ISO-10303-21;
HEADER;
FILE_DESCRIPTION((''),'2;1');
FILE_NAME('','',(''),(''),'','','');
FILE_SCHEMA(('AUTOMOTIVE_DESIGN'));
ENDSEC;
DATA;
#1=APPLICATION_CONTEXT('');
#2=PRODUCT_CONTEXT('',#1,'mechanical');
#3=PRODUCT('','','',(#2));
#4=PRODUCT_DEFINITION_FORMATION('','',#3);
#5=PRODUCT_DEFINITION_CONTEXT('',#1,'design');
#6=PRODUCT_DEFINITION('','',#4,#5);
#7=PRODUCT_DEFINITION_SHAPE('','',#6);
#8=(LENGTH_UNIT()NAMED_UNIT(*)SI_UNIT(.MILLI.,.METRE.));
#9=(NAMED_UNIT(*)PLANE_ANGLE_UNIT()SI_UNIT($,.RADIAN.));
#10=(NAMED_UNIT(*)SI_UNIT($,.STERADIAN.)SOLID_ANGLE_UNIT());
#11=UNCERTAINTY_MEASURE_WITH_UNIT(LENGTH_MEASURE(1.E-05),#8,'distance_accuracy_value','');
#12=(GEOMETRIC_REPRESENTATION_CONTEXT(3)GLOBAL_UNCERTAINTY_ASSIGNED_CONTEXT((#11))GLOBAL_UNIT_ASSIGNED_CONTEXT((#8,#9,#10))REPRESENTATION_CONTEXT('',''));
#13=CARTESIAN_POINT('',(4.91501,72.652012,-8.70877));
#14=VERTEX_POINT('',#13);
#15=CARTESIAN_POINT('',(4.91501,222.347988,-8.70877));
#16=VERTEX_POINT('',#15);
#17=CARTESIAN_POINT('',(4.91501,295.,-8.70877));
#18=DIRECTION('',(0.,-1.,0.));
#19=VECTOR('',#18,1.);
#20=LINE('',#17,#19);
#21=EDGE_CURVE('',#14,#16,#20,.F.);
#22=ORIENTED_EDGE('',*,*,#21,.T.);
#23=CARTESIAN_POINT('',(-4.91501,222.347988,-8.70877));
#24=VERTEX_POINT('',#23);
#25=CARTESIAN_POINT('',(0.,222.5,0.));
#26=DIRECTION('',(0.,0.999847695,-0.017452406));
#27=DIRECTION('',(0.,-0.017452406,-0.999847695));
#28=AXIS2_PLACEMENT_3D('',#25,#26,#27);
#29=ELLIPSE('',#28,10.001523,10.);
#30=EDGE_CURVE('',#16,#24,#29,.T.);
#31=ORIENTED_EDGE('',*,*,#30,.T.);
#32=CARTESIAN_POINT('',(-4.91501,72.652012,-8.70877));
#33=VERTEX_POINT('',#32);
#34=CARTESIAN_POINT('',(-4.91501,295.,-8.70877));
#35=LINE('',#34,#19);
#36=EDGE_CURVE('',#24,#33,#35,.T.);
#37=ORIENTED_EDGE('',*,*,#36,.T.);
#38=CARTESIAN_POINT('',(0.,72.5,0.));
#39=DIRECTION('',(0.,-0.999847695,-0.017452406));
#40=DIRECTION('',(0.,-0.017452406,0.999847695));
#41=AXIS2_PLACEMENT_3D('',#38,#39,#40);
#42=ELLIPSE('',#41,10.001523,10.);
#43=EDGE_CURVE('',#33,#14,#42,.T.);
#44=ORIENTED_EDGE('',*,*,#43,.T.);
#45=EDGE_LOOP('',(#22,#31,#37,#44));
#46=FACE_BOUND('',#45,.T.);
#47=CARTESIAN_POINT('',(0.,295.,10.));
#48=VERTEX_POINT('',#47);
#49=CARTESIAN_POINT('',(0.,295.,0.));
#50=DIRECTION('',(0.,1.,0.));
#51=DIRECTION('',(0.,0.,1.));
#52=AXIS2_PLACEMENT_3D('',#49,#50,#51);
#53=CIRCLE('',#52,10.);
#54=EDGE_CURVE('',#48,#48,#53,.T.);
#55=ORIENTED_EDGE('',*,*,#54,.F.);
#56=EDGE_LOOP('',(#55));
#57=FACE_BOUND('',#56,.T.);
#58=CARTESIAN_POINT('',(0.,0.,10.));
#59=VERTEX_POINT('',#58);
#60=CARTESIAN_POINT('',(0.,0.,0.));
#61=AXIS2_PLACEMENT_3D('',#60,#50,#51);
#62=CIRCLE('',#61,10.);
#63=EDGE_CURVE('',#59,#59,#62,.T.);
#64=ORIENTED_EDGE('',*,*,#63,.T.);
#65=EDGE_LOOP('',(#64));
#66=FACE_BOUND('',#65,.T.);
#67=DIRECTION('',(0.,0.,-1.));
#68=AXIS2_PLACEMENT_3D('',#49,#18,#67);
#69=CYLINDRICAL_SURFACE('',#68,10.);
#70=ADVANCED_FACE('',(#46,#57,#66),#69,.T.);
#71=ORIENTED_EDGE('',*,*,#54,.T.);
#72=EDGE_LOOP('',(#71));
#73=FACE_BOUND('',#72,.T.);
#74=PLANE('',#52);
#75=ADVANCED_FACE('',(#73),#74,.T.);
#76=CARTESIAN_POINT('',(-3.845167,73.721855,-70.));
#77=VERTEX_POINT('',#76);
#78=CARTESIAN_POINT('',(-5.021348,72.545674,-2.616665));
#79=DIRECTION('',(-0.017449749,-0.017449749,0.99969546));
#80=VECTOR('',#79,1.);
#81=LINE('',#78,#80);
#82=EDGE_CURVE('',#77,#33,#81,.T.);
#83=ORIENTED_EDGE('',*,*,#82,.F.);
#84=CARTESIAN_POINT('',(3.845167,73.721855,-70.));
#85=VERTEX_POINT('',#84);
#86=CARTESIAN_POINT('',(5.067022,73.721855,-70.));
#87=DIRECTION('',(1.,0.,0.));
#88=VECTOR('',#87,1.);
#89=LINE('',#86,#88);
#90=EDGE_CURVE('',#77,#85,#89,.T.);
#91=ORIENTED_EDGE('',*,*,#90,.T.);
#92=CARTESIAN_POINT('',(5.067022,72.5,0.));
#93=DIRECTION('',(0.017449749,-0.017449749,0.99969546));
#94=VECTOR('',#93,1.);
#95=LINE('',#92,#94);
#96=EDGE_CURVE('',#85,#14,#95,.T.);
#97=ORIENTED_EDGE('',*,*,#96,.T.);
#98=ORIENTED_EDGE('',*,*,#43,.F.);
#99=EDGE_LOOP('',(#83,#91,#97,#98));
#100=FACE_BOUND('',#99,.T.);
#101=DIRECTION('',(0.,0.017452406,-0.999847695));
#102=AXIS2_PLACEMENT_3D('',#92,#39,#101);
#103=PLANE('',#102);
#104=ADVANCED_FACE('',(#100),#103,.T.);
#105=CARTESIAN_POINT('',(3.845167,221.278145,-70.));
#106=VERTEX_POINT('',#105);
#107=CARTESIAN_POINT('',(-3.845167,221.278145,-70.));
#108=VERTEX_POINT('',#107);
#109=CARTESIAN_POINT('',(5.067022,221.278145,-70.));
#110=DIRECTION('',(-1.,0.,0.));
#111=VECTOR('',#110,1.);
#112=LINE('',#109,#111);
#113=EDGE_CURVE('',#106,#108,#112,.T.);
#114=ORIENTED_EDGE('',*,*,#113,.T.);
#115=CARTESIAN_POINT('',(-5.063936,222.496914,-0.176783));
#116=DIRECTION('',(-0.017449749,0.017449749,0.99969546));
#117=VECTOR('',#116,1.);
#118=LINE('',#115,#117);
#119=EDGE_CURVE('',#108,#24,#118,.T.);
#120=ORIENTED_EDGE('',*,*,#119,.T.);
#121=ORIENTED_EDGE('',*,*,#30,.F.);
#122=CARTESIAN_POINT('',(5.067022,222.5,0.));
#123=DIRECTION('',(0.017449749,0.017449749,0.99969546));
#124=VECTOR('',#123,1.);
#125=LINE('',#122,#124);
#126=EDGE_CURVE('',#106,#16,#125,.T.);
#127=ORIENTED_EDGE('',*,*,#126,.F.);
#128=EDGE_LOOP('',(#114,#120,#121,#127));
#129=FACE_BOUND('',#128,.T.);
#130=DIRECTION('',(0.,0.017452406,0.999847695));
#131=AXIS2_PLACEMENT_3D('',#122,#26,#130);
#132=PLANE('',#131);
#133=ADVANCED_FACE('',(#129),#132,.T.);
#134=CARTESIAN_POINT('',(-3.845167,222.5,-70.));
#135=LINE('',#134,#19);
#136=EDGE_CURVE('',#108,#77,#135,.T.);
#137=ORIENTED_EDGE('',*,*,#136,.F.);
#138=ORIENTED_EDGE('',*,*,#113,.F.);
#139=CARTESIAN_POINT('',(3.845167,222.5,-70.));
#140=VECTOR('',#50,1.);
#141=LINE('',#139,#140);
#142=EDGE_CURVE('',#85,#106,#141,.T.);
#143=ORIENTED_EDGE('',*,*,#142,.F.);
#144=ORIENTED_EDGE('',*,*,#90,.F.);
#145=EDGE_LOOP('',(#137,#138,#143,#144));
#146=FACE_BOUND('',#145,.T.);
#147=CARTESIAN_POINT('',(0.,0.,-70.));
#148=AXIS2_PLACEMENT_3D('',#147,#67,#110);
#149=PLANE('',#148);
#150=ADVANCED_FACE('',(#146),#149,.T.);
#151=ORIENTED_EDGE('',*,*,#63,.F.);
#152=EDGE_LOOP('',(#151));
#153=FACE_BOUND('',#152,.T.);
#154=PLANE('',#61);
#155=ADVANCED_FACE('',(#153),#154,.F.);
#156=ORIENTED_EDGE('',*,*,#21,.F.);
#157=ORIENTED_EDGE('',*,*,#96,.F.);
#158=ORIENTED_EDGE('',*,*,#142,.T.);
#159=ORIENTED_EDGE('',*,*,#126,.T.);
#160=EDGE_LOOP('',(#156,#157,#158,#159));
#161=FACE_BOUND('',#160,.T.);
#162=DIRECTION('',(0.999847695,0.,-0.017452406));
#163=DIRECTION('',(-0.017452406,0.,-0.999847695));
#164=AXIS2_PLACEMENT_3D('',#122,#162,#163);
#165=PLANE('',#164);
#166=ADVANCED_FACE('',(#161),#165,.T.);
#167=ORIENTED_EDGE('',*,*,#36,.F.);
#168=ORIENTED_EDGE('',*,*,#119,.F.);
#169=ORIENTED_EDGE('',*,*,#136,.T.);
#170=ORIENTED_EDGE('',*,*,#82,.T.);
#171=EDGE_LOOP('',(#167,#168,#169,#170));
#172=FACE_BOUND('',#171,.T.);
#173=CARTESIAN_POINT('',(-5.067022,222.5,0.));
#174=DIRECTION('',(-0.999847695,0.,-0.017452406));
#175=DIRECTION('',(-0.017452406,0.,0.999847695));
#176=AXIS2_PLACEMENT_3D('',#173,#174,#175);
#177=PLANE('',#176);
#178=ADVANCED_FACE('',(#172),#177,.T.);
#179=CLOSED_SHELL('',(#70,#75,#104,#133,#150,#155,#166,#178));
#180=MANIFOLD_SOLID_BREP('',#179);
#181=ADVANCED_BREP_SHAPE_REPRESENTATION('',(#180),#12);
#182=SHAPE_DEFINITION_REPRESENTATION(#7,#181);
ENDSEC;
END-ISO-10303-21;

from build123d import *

# Parameters (mm, degrees)
SKIZZE2_R                       = 10
AUFSATZ_LINEAR_AUSTRAGEN1_DEPTH = 295
SKIZZE7_W                       = 10.134043554
SKIZZE7_H                       = 150
AUFSATZ_LINEAR_AUSTRAGEN2_DEPTH = 70
AUFSATZ_LINEAR_AUSTRAGEN2_DRAFT = -1


with BuildPart() as part:
    # Skizze2 → Aufsatz-Linear austragen1 (new body)
    with BuildSketch(Plane(origin=(0, 0, 0), x_dir=(1, 0, 0), z_dir=(0, 1, 0))):
        with Locations(Location((0, 0, 0), (0, 0, 270))):
            Circle(SKIZZE2_R)
    extrude(amount=AUFSATZ_LINEAR_AUSTRAGEN1_DEPTH)


with BuildPart() as aufsatz_linear_austragen2_tool:
    # Skizze7 → Aufsatz-Linear austragen2 (with draft: the straight prism first)
    with BuildSketch(Plane.XY):
        with Locations((0, 147.5)):
            Rectangle(SKIZZE7_W, SKIZZE7_H)
    extrude(amount=-AUFSATZ_LINEAR_AUSTRAGEN2_DEPTH)
    # Aufsatz-Linear austragen2: the draft: its side faces are tilted about the plane it starts from
    aufsatz_linear_austragen2_sides = [aufsatz_linear_austragen2_tool.faces().sort_by_distance(p)[0] for p in [
        (0, 222.5, -35),
        (-5.067021777, 147.5, -35),
        (0, 72.5, -35),
        (5.067021777, 147.5, -35),
    ]]
    draft(aufsatz_linear_austragen2_sides, Plane.XY, AUFSATZ_LINEAR_AUSTRAGEN2_DRAFT)


with BuildPart() as part_1:
    add(part.part)

    # Aufsatz-Linear austragen2: add aufsatz_linear_austragen2_tool
    add(aufsatz_linear_austragen2_tool.part)


solid = part_1.part
